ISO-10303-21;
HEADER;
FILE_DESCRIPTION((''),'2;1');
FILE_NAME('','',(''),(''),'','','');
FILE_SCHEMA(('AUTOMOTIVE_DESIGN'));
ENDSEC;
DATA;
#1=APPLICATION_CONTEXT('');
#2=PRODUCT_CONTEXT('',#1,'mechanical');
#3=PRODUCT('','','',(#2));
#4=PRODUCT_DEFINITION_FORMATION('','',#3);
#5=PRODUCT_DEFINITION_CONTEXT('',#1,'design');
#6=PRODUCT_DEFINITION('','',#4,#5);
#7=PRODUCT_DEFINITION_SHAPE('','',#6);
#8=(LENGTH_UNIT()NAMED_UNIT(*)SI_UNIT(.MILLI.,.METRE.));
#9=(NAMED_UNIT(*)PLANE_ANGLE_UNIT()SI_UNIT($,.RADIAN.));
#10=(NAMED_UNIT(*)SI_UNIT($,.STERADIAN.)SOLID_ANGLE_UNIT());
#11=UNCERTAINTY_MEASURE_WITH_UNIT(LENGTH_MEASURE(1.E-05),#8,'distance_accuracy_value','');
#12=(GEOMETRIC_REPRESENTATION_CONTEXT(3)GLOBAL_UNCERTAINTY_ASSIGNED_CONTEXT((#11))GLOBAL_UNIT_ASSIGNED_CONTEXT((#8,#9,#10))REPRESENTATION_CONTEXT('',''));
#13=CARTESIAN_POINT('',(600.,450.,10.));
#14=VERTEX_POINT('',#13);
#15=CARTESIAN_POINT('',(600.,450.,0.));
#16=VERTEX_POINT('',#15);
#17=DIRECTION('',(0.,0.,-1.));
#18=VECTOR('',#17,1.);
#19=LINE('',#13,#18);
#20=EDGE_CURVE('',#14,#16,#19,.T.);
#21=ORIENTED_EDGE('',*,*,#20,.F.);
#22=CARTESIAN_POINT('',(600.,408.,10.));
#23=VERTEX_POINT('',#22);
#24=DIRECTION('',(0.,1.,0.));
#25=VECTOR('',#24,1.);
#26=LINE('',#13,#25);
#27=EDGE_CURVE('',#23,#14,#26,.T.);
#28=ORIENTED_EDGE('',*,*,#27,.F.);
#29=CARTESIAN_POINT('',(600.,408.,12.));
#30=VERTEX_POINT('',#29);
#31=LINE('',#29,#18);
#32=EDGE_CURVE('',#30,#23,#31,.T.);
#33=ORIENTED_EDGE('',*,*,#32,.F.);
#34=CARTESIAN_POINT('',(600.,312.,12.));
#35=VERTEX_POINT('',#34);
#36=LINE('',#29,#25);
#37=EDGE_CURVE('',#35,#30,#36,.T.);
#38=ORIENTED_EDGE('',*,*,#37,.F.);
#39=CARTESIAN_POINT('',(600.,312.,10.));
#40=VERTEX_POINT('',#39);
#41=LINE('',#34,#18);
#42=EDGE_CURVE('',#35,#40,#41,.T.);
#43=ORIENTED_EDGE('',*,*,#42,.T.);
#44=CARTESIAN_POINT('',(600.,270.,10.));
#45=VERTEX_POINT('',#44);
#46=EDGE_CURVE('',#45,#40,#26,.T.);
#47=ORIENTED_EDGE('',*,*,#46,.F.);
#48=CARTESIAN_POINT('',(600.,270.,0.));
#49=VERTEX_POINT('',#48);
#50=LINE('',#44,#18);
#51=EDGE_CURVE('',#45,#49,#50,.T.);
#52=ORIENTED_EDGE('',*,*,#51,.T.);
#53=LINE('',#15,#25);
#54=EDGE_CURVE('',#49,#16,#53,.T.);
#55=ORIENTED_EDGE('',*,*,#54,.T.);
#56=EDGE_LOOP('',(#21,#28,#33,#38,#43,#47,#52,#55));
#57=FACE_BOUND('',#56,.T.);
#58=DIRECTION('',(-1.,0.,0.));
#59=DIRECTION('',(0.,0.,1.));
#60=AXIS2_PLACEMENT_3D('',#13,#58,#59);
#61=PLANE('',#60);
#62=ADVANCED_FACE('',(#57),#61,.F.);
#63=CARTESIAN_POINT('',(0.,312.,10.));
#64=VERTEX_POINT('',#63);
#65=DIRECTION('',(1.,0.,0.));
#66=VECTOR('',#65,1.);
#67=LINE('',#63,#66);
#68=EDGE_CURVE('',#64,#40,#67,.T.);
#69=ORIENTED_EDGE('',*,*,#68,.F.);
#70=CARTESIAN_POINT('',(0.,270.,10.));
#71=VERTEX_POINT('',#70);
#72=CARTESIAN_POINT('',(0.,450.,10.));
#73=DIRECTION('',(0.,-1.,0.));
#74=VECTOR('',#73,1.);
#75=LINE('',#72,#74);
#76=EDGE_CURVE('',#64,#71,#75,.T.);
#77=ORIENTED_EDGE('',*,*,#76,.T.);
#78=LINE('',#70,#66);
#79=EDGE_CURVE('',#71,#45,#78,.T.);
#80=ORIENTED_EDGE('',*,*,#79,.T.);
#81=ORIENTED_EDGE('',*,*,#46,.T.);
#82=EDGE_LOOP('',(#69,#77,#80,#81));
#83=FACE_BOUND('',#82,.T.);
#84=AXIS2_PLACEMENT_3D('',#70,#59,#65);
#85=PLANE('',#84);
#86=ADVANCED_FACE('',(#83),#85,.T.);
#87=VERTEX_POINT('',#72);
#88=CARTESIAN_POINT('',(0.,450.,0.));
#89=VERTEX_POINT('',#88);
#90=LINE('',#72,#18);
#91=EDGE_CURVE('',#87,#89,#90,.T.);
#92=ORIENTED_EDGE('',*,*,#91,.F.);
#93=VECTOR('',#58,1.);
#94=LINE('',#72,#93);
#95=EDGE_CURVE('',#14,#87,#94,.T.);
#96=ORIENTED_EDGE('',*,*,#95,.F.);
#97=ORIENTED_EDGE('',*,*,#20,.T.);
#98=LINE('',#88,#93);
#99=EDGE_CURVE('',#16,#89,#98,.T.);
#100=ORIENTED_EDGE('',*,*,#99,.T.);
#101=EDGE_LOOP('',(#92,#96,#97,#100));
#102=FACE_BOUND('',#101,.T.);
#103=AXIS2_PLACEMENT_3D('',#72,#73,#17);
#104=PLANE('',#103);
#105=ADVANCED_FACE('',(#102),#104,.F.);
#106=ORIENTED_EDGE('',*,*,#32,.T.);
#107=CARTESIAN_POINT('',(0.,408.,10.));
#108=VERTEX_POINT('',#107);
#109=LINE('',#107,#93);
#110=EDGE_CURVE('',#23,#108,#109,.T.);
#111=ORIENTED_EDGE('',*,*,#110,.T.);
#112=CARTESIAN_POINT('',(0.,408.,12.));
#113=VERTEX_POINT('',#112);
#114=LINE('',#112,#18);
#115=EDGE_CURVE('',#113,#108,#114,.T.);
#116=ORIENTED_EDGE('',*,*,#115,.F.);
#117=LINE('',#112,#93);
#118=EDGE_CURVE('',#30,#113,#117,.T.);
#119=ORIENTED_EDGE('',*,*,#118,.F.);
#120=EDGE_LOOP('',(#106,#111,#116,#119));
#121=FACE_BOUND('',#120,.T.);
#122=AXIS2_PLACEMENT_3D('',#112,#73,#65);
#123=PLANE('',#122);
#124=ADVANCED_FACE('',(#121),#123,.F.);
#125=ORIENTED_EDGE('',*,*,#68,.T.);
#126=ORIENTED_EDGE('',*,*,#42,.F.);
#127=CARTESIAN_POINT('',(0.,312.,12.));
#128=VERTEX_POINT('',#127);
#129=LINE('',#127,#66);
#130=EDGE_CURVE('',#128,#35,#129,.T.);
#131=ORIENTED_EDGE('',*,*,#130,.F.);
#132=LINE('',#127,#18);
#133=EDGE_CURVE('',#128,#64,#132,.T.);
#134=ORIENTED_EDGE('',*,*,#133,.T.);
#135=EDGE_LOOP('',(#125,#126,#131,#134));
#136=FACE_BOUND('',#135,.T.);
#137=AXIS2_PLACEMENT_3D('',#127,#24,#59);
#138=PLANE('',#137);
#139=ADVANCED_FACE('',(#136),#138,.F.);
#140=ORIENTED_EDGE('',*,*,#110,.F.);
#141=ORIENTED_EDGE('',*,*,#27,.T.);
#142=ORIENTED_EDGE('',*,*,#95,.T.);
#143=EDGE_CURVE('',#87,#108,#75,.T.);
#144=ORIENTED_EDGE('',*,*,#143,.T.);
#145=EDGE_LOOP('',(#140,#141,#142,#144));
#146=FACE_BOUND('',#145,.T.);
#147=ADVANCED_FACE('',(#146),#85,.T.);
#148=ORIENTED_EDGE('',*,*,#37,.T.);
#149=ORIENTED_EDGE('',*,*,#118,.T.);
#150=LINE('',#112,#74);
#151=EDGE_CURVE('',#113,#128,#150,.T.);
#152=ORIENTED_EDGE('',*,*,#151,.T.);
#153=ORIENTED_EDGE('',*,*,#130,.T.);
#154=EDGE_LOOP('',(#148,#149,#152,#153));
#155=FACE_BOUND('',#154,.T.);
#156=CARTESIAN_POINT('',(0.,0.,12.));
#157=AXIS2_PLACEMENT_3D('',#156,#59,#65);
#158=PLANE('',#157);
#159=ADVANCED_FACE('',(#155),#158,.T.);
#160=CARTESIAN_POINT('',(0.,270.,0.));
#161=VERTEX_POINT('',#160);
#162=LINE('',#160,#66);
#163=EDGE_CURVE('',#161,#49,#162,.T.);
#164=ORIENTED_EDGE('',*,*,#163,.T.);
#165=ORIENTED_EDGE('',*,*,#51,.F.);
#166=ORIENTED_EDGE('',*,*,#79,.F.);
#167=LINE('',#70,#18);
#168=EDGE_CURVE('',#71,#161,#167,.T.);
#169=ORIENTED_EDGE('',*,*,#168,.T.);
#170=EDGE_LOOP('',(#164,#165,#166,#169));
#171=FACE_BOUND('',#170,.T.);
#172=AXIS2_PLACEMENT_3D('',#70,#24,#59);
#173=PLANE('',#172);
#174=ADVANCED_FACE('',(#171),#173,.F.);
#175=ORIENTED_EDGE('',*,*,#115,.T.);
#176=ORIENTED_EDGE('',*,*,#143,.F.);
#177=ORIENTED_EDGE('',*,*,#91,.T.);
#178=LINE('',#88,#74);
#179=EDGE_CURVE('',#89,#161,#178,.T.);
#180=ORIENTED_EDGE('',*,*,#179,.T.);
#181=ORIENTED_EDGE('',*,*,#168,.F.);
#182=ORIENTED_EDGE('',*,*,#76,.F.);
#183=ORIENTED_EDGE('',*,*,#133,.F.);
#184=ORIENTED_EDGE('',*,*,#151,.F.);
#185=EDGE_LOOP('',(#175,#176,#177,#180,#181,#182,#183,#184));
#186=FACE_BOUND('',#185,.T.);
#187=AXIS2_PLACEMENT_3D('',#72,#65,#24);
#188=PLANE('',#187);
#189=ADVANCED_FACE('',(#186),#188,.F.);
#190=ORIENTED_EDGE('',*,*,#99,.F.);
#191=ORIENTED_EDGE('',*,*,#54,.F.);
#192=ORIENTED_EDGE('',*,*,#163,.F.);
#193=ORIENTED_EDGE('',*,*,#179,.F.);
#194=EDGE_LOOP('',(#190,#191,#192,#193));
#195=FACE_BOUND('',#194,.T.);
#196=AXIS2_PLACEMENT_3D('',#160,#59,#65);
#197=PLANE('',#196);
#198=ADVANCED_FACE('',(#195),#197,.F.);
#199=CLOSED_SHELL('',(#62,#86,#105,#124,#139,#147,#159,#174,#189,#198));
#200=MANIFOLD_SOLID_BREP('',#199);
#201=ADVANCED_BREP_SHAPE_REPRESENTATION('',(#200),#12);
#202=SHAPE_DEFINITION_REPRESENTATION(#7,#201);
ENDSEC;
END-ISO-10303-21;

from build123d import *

# Parameters (mm, degrees)
SZKIC1_W                    = 600
SZKIC1_H                    = 180
DODANIE_WYCI_GNI_CIE1_DEPTH = 10
SZKIC2_W                    = 600
SZKIC2_H                    = 96
DODANIE_WYCI_GNI_CIE2_DEPTH = 2


with BuildPart() as part:
    # Szkic1 → Dodanie-wyciągnięcie1 (new body)
    with BuildSketch(Plane.XY):
        with Locations((300, 360)):
            Rectangle(SZKIC1_W, SZKIC1_H)
    extrude(amount=DODANIE_WYCI_GNI_CIE1_DEPTH)

    # Szkic2 → Dodanie-wyciągnięcie2 (add)
    with BuildSketch(Plane.XY.offset(10)):
        with Locations((300, 360)):
            Rectangle(SZKIC2_W, SZKIC2_H)
    extrude(amount=DODANIE_WYCI_GNI_CIE2_DEPTH)


solid = part.part
